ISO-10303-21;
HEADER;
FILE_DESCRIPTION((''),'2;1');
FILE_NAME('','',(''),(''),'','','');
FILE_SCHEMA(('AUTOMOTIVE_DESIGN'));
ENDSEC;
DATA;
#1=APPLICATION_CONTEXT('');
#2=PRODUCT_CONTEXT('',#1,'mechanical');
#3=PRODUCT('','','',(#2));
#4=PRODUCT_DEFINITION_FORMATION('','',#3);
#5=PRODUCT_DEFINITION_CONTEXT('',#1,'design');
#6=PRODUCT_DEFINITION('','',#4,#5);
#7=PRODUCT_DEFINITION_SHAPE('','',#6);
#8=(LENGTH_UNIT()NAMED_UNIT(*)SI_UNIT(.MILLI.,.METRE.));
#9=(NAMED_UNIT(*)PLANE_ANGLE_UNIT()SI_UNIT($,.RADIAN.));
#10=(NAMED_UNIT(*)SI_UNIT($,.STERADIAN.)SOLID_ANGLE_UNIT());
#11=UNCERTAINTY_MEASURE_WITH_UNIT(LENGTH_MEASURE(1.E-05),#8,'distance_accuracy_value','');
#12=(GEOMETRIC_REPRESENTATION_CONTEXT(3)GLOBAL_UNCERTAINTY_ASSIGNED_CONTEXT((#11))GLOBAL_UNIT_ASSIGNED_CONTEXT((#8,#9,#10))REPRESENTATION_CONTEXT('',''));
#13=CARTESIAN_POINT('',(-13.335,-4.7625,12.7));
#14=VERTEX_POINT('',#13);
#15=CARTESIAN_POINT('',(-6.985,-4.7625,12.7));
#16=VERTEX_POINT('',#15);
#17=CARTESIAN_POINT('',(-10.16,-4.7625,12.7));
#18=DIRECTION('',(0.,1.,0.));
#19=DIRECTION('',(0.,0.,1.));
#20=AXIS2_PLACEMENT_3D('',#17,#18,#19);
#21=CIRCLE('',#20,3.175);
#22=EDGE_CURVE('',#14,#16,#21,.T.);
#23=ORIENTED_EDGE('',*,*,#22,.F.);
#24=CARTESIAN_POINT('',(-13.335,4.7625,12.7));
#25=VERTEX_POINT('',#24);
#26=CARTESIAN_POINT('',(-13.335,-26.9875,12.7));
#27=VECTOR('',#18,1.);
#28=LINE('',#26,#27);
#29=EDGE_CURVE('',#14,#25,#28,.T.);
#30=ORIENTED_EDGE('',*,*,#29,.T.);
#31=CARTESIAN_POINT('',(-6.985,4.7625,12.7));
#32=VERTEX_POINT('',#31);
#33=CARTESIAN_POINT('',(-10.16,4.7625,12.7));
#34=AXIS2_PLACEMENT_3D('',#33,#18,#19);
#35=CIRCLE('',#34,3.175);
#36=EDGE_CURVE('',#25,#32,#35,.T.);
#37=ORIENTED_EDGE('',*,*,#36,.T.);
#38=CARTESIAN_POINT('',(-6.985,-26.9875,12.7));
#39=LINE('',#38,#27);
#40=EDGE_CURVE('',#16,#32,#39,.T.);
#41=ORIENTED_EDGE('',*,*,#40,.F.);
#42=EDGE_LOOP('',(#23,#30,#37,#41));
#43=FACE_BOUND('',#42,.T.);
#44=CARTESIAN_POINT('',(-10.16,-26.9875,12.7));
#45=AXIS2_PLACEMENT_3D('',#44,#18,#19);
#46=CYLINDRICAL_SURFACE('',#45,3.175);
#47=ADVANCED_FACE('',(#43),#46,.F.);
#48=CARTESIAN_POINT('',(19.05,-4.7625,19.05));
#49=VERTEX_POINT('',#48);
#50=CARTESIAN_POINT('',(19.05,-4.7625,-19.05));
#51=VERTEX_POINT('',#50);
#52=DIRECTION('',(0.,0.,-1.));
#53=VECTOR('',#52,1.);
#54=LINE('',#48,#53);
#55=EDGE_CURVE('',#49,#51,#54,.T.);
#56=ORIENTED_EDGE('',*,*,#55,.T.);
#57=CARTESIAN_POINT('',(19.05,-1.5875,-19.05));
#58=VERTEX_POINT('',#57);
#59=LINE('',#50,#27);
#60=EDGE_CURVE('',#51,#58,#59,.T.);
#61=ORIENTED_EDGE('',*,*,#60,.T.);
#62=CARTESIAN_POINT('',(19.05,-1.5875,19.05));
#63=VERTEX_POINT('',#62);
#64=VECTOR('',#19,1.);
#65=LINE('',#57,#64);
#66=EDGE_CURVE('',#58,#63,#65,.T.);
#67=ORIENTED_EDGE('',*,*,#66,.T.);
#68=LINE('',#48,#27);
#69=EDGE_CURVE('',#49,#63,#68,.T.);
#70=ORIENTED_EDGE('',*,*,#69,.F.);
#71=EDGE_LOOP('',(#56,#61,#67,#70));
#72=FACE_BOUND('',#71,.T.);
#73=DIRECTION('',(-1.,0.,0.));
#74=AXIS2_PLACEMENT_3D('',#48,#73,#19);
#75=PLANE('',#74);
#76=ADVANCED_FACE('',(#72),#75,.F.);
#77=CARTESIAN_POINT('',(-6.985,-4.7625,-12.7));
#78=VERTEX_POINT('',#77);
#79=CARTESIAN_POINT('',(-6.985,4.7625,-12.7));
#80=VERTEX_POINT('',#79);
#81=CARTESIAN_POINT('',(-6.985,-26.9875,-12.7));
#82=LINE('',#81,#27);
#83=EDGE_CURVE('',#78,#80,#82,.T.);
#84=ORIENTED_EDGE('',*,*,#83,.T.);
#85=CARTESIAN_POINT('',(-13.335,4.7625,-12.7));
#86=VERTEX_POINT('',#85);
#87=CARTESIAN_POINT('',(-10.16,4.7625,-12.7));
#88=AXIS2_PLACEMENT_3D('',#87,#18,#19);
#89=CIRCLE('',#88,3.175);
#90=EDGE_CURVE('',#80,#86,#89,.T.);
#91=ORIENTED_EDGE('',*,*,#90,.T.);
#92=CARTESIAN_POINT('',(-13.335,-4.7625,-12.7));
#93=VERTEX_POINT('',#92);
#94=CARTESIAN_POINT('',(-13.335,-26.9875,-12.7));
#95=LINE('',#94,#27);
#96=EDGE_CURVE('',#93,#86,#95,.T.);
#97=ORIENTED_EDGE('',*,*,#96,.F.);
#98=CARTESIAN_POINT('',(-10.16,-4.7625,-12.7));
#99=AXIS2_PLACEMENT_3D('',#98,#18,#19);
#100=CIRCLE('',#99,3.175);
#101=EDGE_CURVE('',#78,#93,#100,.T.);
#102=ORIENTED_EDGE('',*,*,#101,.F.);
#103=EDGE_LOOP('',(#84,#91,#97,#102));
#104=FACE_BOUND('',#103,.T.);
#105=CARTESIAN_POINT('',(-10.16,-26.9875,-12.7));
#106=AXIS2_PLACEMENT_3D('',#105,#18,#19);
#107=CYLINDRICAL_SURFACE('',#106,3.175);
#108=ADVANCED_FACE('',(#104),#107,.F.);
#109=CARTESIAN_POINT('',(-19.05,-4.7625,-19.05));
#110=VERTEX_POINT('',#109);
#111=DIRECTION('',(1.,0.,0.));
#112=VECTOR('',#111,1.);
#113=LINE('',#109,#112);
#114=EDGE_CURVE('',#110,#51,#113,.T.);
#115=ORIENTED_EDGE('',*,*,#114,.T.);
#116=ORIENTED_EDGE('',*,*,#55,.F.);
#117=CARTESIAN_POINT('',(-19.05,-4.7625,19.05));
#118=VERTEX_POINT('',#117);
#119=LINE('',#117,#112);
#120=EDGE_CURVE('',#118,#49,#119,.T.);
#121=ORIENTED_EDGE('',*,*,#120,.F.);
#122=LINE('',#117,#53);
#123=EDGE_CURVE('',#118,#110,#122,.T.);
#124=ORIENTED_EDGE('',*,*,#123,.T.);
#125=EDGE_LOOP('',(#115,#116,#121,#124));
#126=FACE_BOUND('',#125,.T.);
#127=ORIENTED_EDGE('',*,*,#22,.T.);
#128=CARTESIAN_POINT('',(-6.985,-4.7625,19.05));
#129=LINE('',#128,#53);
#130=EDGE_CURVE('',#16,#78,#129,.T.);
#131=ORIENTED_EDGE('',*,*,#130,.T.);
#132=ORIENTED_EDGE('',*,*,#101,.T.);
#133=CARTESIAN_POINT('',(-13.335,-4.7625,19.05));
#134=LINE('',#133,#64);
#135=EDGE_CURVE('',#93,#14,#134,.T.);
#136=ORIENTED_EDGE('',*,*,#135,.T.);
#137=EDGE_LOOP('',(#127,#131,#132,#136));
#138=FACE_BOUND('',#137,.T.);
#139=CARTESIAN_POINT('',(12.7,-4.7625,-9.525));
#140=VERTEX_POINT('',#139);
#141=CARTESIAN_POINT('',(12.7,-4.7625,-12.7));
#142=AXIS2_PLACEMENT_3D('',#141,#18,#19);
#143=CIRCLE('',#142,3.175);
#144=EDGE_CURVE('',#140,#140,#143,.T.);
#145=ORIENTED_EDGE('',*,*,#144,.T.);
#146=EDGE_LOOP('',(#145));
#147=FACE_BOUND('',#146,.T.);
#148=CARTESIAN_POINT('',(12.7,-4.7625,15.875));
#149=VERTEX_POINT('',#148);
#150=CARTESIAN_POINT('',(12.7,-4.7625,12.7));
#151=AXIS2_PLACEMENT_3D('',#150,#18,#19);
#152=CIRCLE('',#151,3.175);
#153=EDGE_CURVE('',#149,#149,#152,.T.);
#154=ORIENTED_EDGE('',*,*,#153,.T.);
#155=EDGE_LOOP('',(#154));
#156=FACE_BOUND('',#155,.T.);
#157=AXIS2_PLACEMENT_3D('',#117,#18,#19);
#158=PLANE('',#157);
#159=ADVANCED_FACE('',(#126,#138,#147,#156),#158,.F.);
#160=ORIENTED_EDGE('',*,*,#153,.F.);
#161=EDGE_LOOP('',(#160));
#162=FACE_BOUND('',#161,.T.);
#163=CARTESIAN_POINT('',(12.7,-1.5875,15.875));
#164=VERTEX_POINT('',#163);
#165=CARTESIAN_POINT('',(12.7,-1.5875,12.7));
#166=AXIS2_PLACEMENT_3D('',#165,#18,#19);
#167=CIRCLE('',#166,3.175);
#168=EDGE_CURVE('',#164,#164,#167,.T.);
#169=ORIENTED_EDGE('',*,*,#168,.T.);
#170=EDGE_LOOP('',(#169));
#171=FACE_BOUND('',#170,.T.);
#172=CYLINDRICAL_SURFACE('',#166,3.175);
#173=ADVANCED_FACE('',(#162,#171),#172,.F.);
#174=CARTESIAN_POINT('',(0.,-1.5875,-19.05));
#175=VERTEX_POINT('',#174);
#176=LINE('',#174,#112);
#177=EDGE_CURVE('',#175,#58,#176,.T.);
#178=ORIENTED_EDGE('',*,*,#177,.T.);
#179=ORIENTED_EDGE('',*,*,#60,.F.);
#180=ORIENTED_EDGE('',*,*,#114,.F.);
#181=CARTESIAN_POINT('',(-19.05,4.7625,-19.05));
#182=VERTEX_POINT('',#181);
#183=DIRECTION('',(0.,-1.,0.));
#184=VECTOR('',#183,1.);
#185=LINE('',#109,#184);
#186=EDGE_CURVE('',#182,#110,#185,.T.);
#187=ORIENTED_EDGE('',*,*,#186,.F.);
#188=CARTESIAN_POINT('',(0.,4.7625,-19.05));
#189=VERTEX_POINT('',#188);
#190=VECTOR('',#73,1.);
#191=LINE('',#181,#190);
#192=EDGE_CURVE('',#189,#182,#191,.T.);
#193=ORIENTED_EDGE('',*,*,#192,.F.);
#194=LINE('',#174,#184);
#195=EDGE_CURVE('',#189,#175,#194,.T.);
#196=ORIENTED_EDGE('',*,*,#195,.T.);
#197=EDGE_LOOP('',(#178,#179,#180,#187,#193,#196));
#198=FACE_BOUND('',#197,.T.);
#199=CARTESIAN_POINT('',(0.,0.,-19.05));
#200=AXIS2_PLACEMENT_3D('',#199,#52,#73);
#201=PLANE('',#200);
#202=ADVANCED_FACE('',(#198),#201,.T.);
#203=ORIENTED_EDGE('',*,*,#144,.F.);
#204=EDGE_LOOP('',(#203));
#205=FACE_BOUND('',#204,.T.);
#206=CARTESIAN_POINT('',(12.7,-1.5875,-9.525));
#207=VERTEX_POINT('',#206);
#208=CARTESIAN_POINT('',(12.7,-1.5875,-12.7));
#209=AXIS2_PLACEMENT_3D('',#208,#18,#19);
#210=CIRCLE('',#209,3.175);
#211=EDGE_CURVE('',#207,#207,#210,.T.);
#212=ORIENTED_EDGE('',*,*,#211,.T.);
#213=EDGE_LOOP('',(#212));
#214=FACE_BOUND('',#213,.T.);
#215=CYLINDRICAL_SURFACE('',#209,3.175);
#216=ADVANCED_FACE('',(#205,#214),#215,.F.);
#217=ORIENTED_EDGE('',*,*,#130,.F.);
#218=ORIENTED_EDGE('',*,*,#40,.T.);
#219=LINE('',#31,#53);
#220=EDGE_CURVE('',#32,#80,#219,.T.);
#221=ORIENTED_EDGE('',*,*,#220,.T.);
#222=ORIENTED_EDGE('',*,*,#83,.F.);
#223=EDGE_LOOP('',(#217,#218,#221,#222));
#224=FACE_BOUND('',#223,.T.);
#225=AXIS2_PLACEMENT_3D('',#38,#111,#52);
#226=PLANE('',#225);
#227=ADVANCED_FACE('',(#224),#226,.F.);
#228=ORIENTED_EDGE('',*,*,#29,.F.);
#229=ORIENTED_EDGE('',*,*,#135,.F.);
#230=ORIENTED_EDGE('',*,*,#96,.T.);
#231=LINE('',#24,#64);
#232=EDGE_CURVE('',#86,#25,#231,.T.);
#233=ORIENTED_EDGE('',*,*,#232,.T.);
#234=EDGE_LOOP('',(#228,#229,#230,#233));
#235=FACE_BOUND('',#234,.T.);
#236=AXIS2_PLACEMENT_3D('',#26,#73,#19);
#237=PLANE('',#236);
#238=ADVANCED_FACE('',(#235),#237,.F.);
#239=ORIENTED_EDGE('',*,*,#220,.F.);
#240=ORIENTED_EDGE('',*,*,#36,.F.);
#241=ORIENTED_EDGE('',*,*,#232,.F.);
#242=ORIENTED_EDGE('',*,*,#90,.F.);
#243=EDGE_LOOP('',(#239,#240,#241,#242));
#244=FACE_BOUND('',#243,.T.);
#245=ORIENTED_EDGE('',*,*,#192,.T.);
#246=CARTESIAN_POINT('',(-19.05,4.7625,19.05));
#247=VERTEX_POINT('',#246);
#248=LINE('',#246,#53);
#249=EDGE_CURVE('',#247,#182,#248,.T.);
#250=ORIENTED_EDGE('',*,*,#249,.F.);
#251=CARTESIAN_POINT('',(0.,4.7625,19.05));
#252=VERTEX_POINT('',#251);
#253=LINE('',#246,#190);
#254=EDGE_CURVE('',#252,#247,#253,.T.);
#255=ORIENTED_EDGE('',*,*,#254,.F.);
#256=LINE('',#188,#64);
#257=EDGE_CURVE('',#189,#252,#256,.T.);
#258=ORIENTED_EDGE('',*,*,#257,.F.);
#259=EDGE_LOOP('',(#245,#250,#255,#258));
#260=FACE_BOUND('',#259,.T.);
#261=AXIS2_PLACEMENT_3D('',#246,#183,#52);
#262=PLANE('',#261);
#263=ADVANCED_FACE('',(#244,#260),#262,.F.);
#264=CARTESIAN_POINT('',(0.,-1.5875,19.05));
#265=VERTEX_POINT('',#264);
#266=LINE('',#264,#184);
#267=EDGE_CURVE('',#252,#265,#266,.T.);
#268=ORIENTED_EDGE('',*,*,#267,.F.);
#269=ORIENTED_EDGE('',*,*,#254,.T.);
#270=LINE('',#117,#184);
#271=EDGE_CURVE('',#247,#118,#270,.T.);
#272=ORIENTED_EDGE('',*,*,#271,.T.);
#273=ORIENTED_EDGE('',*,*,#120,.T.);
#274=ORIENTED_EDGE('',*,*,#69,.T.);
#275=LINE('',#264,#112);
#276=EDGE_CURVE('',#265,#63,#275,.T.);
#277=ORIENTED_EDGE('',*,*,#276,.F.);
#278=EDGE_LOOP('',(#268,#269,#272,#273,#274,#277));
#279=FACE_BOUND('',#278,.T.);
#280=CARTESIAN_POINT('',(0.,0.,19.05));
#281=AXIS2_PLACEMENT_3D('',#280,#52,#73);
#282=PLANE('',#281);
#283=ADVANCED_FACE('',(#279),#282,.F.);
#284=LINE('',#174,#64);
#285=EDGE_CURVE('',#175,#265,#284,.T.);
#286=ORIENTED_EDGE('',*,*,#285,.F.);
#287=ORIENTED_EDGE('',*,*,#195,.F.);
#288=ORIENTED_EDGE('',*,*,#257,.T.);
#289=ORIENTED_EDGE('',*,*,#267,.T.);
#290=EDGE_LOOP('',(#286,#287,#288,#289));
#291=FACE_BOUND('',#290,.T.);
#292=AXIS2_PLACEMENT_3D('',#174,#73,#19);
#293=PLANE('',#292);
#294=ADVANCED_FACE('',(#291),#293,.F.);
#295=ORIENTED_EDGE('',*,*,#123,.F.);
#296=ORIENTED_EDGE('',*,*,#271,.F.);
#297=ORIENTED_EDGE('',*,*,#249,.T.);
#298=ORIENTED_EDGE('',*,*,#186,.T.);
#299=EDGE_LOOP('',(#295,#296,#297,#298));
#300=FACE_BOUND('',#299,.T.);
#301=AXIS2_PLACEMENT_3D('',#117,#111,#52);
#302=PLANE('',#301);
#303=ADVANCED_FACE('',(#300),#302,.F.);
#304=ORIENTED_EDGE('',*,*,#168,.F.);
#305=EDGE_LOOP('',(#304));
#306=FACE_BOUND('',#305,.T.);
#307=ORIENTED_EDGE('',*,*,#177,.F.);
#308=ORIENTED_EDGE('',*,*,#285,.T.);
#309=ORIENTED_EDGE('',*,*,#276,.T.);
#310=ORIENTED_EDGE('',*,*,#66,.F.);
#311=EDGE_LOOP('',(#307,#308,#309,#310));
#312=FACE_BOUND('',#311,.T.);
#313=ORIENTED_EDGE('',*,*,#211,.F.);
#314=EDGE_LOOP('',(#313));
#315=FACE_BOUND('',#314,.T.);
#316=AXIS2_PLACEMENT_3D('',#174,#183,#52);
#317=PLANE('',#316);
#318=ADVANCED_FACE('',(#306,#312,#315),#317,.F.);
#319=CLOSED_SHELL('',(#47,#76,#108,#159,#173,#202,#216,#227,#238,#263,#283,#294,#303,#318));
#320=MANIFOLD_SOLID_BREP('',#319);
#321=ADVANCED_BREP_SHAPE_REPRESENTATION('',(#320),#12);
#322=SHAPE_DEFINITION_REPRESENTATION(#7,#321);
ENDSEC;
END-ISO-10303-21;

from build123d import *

# Parameters (mm, degrees)
SKETCH1_W                   = 38.1
SKETCH1_H                   = 9.525
BOSS_EXTRUDE1_DEPTH         = 19.05
SKETCH2_W                   = 19.05
SKETCH2_H                   = 6.35
CUT_EXTRUDE1_DEPTH          = 43.8625
F_1_4_0_25_DIAMETER_HOLE2_D = 6.35
CUT_EXTRUDE2_DEPTH          = 31.75


with BuildPart() as part:
    # Sketch1 → Boss-Extrude1 (new, symmetric)
    with BuildSketch(Plane.XY):
        Rectangle(SKETCH1_W, SKETCH1_H)
    extrude(amount=BOSS_EXTRUDE1_DEPTH, both=True)

    # Sketch2 → Cut-Extrude1 (cut, through all)
    with BuildSketch(Plane.XY.offset(19.05)):
        with Locations((9.525, 1.5875)):
            Rectangle(SKETCH2_W, SKETCH2_H)
    extrude(amount=-CUT_EXTRUDE1_DEPTH, mode=Mode.SUBTRACT)

    # 1/4 (0.25) Diameter Hole2 (through all)
    with Locations(Plane(origin=(0, -1.5875, 0), x_dir=(1, 0, 0), z_dir=(0, 1, 0))):
        with Locations((12.7, 12.7), (12.7, -12.7)):
            Hole(F_1_4_0_25_DIAMETER_HOLE2_D / 2)

    # Sketch11 → Cut-Extrude2 (cut)
    with BuildSketch(Plane(origin=(0, 4.7625, 0), x_dir=(1, 0, 0), z_dir=(0, 1, 0))):
        with BuildLine():
            Line((-13.335, -12.7), (-13.335, 12.7))
            ThreePointArc((-13.335, 12.7), (-10.16, 15.875), (-6.985, 12.7))
            Line((-6.985, 12.7), (-6.985, -12.7))
            ThreePointArc((-6.985, -12.7), (-10.16, -15.875), (-13.335, -12.7))
        make_face()
    extrude(amount=-CUT_EXTRUDE2_DEPTH, mode=Mode.SUBTRACT)


solid = part.part
